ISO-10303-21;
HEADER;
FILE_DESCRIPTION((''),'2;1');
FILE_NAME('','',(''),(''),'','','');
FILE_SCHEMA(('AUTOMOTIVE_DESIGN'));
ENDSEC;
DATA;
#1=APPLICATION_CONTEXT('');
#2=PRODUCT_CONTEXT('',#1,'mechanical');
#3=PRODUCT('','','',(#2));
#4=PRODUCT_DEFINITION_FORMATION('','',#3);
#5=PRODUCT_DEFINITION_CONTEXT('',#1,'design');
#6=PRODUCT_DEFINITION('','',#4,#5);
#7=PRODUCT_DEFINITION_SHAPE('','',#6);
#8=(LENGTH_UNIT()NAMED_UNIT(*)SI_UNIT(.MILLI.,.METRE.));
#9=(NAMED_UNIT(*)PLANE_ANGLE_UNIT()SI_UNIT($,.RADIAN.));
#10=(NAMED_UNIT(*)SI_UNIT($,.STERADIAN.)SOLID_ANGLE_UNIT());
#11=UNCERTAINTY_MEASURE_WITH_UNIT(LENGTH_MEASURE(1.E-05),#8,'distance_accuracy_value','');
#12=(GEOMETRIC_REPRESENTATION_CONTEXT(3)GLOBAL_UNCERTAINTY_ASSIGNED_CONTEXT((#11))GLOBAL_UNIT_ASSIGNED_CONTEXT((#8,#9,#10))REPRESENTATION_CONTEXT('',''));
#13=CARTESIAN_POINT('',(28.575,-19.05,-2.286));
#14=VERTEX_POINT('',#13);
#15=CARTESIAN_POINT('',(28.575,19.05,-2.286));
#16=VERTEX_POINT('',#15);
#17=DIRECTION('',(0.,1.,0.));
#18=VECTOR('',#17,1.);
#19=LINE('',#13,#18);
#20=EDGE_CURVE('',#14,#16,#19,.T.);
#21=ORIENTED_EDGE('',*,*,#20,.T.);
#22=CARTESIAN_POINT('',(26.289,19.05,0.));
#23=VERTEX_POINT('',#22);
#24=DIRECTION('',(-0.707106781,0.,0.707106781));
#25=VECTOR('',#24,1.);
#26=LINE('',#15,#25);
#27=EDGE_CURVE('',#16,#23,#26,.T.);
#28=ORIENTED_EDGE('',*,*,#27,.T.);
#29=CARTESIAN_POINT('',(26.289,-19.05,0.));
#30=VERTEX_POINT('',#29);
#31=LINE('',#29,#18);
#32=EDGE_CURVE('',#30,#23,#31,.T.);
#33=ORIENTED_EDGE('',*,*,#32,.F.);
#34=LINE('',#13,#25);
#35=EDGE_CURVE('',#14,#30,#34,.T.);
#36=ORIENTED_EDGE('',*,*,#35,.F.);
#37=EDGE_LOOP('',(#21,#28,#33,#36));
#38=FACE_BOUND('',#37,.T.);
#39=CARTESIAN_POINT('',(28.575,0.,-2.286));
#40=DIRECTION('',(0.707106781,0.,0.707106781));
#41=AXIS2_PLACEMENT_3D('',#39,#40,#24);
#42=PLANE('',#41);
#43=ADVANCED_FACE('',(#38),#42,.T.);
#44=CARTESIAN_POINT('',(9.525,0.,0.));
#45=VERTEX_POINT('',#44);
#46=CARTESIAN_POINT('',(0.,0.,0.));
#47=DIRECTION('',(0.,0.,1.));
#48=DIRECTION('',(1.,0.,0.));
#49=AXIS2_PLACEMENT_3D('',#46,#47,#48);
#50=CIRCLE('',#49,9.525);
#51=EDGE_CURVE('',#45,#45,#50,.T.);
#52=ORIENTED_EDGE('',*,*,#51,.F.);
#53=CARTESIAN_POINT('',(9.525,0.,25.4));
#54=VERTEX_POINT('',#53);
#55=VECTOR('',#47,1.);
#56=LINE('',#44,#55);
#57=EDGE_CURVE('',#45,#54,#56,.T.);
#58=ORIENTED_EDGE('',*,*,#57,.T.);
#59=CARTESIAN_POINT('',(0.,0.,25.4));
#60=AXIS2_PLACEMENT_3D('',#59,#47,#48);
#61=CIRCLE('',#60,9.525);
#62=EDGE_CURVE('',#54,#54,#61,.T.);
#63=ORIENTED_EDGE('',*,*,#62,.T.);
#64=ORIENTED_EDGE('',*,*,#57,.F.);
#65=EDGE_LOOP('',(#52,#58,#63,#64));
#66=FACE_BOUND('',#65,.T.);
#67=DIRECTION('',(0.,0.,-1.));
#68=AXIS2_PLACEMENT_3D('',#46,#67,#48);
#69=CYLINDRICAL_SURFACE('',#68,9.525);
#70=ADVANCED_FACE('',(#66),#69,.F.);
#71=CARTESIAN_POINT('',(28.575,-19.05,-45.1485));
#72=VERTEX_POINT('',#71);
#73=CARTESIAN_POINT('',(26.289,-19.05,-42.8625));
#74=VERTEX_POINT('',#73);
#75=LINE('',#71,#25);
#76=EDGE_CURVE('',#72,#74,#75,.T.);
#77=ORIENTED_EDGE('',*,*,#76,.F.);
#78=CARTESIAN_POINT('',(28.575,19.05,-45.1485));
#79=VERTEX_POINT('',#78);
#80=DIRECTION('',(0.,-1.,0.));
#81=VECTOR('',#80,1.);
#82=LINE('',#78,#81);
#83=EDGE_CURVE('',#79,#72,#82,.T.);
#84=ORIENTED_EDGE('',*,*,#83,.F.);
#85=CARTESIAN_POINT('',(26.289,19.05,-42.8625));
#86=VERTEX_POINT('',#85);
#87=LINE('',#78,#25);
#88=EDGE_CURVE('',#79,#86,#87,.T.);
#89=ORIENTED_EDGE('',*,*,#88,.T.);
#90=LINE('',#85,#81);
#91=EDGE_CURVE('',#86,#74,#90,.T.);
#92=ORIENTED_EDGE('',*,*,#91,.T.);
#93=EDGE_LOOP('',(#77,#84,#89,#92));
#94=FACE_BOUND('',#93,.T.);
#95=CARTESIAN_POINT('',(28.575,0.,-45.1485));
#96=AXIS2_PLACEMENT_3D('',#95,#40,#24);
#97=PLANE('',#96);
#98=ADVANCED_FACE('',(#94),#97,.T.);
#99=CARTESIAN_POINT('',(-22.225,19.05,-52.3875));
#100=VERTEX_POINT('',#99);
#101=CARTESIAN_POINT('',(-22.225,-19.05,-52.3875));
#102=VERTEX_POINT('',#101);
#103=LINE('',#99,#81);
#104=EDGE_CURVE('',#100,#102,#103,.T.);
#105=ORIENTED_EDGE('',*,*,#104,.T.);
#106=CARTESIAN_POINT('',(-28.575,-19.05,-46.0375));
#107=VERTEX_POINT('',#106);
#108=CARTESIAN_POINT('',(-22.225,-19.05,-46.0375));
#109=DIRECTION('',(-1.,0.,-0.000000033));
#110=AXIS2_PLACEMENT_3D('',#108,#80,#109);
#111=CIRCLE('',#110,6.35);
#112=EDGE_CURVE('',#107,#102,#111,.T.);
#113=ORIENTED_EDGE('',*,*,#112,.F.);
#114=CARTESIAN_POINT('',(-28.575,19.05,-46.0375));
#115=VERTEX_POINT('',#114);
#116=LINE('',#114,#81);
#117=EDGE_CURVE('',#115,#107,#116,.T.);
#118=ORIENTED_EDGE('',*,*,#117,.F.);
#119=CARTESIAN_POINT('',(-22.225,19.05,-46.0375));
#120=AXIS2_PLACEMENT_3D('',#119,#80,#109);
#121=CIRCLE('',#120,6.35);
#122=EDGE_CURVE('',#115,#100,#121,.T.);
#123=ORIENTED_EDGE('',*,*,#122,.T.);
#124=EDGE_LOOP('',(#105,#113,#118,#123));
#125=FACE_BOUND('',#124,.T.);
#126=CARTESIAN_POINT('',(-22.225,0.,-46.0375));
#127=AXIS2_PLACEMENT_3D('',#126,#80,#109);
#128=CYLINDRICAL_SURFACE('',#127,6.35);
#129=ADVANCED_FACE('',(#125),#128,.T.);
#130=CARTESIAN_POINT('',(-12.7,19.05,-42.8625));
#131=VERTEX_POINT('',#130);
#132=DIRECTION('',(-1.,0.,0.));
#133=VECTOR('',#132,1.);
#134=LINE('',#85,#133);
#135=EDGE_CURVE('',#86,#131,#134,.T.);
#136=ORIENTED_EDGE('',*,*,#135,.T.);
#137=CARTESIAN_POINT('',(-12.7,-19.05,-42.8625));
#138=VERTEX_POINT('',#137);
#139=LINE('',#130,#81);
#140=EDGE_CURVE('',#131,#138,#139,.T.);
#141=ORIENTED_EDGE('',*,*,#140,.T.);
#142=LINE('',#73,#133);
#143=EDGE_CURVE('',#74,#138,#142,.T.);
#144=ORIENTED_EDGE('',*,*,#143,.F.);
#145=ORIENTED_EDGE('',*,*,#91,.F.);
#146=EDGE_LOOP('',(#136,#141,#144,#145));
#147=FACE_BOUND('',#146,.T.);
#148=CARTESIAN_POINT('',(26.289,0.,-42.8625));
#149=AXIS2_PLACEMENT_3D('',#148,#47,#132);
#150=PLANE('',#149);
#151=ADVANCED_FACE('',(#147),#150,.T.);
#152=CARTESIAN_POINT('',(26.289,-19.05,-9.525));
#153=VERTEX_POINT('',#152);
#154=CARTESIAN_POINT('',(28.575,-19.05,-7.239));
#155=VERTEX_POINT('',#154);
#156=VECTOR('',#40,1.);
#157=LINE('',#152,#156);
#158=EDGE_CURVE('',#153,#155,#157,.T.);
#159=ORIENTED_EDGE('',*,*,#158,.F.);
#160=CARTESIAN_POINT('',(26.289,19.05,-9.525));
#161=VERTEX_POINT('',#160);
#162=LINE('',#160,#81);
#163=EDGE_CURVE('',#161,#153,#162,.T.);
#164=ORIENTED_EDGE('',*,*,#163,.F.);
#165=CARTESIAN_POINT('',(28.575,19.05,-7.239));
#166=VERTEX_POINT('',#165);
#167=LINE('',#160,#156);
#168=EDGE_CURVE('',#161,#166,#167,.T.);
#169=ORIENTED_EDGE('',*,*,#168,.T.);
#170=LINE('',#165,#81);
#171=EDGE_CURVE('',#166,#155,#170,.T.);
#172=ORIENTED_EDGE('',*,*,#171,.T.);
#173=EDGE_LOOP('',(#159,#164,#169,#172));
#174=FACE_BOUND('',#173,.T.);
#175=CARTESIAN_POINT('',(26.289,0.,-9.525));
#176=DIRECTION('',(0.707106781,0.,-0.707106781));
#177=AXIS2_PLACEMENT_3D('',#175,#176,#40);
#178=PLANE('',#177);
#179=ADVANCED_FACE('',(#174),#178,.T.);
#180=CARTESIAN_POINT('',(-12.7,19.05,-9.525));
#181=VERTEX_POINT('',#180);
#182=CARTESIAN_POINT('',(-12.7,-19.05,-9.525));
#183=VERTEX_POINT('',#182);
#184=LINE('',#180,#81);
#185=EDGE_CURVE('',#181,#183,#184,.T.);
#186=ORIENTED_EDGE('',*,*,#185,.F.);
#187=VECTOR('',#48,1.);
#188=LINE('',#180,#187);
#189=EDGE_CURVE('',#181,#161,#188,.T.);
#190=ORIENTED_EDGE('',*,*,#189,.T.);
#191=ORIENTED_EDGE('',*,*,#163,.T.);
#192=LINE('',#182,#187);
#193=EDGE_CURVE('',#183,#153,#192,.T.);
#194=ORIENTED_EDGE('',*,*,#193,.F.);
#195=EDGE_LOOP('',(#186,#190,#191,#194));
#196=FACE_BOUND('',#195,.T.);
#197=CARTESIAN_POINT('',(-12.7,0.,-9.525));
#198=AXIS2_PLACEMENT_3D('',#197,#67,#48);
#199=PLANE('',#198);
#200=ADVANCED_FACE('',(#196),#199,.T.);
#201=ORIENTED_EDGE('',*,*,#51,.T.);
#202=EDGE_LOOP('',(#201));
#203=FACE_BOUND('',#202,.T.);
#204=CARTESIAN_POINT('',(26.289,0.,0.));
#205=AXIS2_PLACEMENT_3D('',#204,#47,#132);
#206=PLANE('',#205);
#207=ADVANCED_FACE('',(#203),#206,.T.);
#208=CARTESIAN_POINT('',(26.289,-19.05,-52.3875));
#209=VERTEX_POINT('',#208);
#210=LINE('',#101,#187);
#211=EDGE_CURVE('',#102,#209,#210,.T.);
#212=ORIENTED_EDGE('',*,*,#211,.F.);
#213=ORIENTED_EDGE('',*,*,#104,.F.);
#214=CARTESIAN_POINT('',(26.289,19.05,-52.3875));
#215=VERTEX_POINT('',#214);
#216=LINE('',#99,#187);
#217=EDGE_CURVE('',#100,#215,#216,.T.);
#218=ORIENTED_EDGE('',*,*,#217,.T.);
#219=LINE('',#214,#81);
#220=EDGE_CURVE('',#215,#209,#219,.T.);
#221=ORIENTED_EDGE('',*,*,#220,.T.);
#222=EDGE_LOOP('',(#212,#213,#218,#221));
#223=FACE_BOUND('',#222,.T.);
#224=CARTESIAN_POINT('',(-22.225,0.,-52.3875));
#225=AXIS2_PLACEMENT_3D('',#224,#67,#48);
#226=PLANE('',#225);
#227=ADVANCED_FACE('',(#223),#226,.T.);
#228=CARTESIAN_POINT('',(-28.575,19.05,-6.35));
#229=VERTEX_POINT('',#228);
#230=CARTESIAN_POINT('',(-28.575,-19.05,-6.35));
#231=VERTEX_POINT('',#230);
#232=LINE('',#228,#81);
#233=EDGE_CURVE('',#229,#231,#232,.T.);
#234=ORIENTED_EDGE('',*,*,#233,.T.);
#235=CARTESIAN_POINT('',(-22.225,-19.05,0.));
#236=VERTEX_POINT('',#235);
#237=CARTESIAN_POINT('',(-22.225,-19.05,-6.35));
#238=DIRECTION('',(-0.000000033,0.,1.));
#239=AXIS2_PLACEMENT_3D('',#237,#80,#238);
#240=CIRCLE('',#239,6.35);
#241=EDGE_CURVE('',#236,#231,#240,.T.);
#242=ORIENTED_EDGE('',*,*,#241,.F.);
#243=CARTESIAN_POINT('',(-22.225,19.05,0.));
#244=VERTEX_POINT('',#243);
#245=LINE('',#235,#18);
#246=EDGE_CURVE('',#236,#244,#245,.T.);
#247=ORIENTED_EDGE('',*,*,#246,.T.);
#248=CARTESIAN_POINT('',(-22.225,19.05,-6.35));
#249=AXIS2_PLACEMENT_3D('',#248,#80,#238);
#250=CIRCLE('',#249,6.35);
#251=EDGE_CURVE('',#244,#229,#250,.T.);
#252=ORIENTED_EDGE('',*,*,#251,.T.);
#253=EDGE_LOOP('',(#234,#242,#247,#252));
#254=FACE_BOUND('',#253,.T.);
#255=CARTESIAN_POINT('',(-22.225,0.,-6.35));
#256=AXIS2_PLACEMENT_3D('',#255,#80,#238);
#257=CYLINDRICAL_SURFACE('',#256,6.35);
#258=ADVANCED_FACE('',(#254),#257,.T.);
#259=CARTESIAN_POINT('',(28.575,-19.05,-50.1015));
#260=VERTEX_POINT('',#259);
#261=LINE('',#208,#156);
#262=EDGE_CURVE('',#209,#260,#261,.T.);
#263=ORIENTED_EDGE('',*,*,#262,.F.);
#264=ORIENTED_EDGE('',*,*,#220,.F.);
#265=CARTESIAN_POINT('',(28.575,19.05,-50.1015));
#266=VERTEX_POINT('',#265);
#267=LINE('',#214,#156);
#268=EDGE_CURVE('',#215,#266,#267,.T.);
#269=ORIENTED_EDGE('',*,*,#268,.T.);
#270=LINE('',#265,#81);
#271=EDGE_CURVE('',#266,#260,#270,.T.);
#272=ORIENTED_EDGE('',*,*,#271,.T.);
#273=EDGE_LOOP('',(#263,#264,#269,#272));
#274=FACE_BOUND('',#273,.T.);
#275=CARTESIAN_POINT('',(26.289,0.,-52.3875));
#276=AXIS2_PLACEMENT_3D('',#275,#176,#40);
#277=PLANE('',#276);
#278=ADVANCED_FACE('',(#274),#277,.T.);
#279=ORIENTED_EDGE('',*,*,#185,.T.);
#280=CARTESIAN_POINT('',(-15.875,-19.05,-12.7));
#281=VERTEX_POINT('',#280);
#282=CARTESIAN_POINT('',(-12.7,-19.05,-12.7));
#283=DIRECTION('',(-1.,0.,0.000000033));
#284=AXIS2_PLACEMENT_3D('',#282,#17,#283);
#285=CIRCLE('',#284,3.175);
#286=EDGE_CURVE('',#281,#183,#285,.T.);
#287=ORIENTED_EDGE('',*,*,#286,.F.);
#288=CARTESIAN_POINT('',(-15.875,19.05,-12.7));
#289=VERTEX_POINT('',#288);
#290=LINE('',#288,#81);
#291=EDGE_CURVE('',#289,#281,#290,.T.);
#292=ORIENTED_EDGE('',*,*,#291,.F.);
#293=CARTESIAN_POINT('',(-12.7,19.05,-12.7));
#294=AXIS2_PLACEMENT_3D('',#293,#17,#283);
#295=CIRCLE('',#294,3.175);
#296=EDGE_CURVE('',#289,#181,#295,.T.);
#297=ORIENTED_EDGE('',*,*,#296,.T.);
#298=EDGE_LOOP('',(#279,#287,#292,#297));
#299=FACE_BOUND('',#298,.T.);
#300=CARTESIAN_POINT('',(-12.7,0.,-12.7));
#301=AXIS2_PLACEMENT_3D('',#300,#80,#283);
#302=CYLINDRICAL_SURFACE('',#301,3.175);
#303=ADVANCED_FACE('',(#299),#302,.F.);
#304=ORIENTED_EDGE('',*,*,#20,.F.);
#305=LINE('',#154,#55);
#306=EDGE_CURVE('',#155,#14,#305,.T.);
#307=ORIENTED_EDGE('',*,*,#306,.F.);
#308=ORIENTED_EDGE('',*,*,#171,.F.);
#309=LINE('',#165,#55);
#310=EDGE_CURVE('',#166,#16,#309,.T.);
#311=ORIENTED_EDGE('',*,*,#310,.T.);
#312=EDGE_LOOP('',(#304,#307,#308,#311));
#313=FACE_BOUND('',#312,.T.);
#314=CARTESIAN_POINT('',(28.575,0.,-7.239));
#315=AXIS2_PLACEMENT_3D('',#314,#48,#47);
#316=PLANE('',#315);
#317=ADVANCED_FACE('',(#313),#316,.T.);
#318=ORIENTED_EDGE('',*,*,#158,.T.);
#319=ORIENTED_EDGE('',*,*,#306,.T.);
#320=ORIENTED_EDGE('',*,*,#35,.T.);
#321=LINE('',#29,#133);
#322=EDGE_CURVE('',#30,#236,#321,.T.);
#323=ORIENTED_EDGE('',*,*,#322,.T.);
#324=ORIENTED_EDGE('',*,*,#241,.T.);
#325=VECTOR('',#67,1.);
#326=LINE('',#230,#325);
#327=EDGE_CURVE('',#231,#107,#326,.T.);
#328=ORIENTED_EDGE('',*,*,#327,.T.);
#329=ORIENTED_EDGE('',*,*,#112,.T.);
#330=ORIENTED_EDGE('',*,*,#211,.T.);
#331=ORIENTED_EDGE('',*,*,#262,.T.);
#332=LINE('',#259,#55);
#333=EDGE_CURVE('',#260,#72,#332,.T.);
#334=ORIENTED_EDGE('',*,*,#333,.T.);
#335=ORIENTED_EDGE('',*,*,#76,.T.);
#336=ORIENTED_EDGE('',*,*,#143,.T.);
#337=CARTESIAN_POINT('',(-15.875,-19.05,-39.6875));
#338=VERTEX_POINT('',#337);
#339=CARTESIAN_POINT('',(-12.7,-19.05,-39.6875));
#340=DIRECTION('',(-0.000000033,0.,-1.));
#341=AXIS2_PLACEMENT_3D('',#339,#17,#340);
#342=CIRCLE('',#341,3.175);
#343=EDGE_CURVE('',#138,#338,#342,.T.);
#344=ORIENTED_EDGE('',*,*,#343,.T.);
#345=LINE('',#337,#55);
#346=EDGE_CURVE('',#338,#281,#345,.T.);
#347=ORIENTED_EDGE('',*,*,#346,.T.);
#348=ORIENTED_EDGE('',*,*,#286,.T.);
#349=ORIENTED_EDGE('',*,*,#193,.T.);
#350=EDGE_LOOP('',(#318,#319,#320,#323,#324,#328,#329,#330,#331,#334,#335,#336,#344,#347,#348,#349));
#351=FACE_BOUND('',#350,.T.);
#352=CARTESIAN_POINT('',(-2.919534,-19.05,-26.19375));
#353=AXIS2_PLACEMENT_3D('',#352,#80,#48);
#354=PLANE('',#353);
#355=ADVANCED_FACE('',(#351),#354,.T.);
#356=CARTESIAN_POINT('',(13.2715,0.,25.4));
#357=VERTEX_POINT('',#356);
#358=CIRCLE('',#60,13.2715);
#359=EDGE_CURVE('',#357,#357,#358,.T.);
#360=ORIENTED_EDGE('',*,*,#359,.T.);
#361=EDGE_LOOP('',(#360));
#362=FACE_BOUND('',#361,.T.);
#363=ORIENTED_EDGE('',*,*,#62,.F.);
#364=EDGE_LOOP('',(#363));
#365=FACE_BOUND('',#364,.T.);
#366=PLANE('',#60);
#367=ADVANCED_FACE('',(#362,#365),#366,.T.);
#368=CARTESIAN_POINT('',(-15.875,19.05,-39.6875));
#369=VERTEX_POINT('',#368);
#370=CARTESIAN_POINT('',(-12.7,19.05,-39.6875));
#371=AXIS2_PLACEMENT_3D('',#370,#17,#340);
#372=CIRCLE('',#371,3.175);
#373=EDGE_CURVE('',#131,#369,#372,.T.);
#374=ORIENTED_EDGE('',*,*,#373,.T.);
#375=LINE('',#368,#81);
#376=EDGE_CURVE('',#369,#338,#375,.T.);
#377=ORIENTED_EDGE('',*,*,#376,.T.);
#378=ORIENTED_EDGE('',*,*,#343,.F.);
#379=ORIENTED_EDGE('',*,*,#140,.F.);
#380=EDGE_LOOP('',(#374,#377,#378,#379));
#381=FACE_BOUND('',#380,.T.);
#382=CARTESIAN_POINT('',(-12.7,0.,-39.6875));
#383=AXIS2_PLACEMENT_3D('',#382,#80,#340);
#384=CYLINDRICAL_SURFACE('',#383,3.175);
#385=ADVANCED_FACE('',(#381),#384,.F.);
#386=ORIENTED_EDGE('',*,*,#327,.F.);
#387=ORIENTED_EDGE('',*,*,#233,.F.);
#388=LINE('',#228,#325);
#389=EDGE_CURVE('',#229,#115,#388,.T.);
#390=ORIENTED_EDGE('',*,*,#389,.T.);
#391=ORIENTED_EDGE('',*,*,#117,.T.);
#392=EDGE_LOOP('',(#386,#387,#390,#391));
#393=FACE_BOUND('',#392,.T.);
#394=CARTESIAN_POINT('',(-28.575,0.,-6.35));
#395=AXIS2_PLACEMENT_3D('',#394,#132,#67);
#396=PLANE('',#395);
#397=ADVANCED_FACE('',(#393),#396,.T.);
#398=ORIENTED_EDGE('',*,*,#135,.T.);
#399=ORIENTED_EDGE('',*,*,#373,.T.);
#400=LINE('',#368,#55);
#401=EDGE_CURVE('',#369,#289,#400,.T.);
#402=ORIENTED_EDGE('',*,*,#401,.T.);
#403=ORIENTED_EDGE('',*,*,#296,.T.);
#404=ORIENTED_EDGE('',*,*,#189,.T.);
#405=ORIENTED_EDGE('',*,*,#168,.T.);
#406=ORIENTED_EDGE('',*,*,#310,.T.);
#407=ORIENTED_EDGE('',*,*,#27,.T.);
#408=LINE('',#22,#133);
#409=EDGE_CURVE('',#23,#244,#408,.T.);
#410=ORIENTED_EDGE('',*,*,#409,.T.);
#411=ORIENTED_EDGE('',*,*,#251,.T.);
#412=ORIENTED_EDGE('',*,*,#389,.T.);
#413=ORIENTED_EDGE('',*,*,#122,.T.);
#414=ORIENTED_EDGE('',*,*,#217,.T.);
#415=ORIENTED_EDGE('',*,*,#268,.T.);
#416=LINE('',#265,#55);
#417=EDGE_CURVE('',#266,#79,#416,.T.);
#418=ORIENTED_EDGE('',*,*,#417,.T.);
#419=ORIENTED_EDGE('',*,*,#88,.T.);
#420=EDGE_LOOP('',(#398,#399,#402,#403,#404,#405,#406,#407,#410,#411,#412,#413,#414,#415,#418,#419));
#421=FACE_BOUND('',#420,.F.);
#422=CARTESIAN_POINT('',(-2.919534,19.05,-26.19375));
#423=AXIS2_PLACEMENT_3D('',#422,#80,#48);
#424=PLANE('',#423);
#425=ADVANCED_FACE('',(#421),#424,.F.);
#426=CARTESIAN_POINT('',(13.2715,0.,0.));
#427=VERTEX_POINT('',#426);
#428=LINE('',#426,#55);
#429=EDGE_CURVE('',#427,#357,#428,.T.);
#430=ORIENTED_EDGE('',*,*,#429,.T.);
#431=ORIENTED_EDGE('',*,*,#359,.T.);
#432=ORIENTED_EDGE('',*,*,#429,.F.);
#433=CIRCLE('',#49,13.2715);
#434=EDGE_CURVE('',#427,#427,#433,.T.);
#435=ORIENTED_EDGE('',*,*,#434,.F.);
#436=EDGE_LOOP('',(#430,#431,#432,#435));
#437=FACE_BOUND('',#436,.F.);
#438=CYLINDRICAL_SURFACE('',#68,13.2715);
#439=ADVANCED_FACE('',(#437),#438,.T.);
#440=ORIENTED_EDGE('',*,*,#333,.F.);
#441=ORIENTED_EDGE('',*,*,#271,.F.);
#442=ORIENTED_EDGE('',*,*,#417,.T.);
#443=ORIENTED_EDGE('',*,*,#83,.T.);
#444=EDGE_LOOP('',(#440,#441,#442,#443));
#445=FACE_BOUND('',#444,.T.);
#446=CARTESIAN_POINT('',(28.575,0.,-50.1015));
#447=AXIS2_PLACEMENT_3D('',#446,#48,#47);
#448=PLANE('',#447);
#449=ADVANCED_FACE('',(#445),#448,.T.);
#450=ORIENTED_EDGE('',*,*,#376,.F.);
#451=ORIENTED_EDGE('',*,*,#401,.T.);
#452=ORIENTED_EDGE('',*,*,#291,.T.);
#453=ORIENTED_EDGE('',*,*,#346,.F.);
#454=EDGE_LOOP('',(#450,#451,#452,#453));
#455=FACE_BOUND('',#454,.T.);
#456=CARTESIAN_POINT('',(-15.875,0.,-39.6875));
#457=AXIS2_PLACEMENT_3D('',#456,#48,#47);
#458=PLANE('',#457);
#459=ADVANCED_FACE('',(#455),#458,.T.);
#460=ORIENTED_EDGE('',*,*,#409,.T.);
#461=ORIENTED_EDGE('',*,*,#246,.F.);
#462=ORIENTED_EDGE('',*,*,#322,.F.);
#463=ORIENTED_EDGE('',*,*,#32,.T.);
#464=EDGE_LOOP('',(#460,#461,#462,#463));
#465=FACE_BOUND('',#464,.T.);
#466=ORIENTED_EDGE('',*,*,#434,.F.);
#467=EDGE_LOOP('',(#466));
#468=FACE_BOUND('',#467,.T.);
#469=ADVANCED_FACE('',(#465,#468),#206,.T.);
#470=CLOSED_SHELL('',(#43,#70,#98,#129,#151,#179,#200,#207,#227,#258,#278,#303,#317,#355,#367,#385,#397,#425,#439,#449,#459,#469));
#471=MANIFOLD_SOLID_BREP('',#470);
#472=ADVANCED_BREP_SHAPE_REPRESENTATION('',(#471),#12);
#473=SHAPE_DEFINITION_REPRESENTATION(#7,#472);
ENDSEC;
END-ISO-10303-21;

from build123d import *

# Parameters (mm, degrees)
F2_DEPTH = 19.05
F1_R     = 13.2715
F1_R_2   = 9.525
F3_DEPTH = 25.4


with BuildPart() as f2:
    # F0 (on Front) → F2 (new body, symmetric)
    with BuildSketch(Plane.XZ):
        with BuildLine():
            Line((0, 0), (-22.225, 0))
            ThreePointArc((-22.225, 0), (-26.715128, -1.859872), (-28.575, -6.35))
            Line((-28.575, -6.35), (-28.575, -46.0375))
            ThreePointArc((-28.575, -46.0375), (-26.715128, -50.527628), (-22.225, -52.3875))
            Line((-22.225, -52.3875), (26.289, -52.3875))
            Line((26.289, -52.3875), (28.575, -50.1015))
            Line((28.575, -50.1015), (28.575, -45.1485))
            Line((28.575, -45.1485), (26.289, -42.8625))
            Line((26.289, -42.8625), (-12.7, -42.8625))
            ThreePointArc((-12.7, -42.8625), (-14.945064, -41.932564), (-15.875, -39.6875))
            Line((-15.875, -39.6875), (-15.875, -12.7))
            ThreePointArc((-15.875, -12.7), (-14.945064, -10.454936), (-12.7, -9.525))
            Line((-12.7, -9.525), (26.289, -9.525))
            Line((26.289, -9.525), (28.575, -7.239))
            Line((28.575, -7.239), (28.575, -2.286))
            Line((28.575, -2.286), (26.289, 0))
            Line((26.289, 0), (0, 0))
        make_face()
    extrude(amount=F2_DEPTH, both=True)

    # F1 (on Top) → F3 (join)
    with BuildSketch(Plane.XY):
        Circle(F1_R)
        Circle(F1_R_2, mode=Mode.SUBTRACT)
    extrude(amount=F3_DEPTH)


solid = f2.part
